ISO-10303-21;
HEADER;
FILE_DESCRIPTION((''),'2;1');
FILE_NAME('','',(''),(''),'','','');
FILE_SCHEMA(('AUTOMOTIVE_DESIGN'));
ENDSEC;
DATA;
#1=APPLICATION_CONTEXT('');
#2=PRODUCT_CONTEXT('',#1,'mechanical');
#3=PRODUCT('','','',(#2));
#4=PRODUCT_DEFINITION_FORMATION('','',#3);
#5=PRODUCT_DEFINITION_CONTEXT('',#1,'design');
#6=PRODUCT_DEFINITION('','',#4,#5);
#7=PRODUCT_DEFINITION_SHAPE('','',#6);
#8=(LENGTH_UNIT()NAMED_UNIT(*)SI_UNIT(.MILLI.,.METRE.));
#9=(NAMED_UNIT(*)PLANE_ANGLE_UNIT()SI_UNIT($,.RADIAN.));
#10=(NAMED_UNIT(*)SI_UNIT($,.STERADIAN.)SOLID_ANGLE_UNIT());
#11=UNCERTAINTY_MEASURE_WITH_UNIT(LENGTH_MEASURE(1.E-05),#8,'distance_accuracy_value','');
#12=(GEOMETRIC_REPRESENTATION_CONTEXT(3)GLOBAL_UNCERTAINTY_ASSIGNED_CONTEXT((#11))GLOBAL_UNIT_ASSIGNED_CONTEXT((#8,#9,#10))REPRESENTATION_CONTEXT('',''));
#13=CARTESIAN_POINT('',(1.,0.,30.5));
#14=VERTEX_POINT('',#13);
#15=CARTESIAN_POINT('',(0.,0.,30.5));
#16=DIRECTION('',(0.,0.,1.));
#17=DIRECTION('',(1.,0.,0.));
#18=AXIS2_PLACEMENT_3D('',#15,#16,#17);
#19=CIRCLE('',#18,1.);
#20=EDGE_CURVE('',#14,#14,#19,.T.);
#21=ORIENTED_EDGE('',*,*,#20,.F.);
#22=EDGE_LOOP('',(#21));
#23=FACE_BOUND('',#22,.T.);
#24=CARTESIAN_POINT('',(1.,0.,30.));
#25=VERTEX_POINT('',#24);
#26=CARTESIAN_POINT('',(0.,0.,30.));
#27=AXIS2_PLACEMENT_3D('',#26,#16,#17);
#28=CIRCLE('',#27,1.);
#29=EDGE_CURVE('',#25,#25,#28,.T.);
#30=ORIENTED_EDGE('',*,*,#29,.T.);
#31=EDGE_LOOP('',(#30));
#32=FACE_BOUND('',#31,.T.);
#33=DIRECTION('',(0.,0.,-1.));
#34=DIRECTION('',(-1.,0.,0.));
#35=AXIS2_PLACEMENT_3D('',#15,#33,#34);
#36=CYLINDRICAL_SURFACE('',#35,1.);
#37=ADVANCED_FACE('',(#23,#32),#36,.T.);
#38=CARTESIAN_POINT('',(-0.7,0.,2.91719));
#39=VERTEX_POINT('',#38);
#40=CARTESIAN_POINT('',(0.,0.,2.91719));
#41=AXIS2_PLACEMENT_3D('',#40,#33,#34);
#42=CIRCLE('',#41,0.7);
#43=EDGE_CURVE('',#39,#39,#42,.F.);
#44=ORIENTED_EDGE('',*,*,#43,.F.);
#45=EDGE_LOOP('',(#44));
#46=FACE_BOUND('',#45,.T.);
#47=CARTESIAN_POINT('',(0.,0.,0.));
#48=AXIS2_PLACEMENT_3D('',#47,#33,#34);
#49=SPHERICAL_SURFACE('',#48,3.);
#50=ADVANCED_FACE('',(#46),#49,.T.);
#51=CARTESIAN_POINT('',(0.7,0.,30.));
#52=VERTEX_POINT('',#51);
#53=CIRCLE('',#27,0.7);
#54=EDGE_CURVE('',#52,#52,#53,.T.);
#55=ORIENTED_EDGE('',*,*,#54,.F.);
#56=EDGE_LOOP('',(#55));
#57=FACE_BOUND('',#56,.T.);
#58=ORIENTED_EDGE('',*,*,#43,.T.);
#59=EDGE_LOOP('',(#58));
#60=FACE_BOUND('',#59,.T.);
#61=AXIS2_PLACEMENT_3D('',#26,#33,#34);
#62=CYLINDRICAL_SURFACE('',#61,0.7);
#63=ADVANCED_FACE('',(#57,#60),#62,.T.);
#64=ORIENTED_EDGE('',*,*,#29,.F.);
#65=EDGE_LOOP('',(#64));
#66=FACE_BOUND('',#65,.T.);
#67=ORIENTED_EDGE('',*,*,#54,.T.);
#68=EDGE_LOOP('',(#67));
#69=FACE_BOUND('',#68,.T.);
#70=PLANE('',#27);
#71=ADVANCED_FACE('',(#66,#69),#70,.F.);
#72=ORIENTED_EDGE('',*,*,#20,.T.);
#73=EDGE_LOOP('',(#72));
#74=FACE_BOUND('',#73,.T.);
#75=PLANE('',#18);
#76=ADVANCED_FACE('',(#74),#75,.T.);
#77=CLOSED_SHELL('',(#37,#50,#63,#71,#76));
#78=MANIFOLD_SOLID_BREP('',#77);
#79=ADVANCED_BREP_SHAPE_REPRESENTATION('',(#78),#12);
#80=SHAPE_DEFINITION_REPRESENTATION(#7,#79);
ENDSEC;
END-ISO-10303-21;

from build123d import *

# Parameters (mm, degrees)
SKETCH2_R           = 0.7
BOSS_EXTRUDE2_DEPTH = 30
SKETCH3_R           = 1
BOSS_EXTRUDE3_DEPTH = 0.5


with BuildPart() as part:
    # Sketch1 → Revolve1 (revolve)
    with BuildSketch(Plane.XY):
        with BuildLine():
            Line((0, 3), (0, -3))
            ThreePointArc((0, -3), (3, 0), (0, 3))
        make_face()
    revolve(axis=Axis((0, 3, 0), (0, -1, 0)))

    # Sketch2 → Boss-Extrude2 (add)
    with BuildSketch(Plane.XY):
        with Locations(Location((0, 0, 0), (0, 0, 180))):
            Circle(SKETCH2_R)
    extrude(amount=BOSS_EXTRUDE2_DEPTH)

    # Sketch3 → Boss-Extrude3 (add)
    with BuildSketch(Plane.XY.offset(30)):
        Circle(SKETCH3_R)
    extrude(amount=BOSS_EXTRUDE3_DEPTH)


solid = part.part
